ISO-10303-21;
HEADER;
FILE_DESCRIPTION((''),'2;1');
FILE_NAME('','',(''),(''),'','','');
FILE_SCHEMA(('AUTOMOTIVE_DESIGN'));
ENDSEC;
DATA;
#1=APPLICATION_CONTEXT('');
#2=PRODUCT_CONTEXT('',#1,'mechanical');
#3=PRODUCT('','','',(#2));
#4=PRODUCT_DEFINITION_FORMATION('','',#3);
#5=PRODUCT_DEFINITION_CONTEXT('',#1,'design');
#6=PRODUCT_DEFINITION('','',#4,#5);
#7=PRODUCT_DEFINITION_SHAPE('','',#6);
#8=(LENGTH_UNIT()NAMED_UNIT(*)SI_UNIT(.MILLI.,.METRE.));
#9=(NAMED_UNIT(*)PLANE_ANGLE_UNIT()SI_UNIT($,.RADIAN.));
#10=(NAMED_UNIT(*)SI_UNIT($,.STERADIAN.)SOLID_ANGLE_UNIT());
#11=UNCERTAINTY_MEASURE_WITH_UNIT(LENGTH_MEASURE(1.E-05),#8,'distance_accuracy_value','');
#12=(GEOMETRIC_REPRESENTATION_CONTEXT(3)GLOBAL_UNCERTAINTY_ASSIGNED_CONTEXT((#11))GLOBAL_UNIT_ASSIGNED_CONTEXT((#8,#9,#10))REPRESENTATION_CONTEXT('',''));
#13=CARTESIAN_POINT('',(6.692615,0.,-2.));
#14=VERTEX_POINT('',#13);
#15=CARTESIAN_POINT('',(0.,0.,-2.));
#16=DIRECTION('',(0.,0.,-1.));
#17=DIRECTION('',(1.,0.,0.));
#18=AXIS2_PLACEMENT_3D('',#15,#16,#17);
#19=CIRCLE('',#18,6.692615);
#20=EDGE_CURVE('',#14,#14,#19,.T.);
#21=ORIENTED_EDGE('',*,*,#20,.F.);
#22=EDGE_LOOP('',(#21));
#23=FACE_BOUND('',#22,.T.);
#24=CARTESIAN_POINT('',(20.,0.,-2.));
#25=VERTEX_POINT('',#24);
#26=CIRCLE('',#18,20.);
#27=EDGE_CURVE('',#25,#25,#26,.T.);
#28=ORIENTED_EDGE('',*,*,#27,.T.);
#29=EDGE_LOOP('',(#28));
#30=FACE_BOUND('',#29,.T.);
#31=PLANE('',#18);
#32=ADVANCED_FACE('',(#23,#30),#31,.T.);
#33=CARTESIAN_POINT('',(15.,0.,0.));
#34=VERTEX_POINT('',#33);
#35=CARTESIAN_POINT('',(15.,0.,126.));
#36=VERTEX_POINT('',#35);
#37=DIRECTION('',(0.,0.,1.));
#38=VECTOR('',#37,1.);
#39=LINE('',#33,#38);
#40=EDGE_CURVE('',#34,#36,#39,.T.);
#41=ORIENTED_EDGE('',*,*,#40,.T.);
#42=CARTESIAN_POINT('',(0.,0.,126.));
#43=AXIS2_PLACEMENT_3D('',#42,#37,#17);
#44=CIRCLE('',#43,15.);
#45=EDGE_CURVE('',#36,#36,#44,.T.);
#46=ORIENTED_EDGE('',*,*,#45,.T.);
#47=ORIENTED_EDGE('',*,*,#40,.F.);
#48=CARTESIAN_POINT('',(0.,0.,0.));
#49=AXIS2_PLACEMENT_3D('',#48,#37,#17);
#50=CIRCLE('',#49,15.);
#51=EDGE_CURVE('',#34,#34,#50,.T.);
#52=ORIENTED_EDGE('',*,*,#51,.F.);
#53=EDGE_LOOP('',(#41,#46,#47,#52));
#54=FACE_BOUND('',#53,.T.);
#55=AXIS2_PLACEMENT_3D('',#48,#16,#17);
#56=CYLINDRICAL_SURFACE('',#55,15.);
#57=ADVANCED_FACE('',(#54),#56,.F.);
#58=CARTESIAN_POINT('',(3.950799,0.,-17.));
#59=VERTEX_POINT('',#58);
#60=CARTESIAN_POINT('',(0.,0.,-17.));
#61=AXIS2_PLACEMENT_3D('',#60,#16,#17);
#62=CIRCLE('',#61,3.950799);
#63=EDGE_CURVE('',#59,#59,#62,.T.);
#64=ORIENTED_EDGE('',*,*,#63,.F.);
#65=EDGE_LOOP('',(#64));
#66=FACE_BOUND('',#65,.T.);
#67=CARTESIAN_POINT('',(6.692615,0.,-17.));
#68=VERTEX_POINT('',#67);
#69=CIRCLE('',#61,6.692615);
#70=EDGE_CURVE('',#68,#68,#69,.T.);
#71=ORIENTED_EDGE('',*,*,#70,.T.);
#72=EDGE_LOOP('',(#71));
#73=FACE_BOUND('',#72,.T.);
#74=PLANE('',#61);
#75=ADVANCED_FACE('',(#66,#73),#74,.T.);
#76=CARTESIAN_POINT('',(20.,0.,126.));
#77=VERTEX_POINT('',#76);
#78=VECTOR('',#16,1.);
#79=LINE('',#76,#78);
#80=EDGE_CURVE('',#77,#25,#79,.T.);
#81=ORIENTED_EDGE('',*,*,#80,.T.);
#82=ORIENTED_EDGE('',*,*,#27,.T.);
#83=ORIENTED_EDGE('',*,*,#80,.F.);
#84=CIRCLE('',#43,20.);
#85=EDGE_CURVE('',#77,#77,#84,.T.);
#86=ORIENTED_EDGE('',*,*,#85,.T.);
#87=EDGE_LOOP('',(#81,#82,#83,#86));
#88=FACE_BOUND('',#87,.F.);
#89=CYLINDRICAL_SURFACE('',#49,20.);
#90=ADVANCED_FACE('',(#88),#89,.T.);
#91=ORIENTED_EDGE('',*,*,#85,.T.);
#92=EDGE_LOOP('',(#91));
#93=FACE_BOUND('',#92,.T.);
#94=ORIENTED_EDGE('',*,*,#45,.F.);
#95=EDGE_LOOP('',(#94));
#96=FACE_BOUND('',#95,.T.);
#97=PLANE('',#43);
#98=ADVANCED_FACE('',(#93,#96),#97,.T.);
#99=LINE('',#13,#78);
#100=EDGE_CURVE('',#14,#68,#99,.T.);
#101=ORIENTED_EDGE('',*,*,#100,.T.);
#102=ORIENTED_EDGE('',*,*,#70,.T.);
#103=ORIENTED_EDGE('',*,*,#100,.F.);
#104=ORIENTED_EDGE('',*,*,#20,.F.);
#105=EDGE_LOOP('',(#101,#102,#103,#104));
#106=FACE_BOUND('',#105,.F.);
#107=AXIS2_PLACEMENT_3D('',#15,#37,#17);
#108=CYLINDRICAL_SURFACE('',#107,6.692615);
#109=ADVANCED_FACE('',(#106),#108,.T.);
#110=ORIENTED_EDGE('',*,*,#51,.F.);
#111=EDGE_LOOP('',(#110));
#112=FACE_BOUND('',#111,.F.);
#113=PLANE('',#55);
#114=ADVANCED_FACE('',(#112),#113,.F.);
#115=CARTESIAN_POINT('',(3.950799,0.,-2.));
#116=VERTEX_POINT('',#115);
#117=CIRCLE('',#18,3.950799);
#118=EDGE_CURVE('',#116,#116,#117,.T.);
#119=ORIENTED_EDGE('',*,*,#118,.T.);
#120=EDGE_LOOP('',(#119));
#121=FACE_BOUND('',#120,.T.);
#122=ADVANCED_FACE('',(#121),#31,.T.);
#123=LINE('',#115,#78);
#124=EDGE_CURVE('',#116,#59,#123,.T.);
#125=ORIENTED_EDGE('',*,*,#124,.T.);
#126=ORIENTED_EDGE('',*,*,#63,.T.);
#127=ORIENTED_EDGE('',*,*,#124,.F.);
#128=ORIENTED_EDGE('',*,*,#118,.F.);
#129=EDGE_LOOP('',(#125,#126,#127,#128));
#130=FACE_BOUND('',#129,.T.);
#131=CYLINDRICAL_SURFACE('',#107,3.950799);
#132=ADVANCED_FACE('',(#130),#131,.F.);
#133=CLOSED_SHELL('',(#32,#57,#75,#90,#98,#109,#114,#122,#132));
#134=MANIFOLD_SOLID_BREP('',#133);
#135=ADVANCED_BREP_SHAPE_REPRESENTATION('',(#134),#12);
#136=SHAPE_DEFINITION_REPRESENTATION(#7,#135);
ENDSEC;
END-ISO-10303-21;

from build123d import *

# Parameters (mm, degrees)
F0_R     = 20
F0_R_2   = 15
F1_DEPTH = 126
F2_R     = 20
F3_DEPTH = 2
F4_R     = 6.692615
F4_R_2   = 3.950799
F5_DEPTH = 15


with BuildPart() as f1:
    # F0 (on Top) → F1 (new body)
    with BuildSketch(Plane.XY):
        Circle(F0_R)
        Circle(F0_R_2, mode=Mode.SUBTRACT)
    extrude(amount=F1_DEPTH)

    # F2 (on face) → F3 (join)
    with BuildSketch(Plane(origin=(0, 0, 0), x_dir=(1, 0, 0), z_dir=(0, 0, -1))):
        Circle(F2_R)
    extrude(amount=F3_DEPTH)

    # F4 (on face) → F5 (join)
    with BuildSketch(Plane(origin=(0, 0, -2), x_dir=(1, 0, 0), z_dir=(0, 0, -1))):
        Circle(F4_R)
        Circle(F4_R_2, mode=Mode.SUBTRACT)
    extrude(amount=F5_DEPTH)


solid = f1.part
